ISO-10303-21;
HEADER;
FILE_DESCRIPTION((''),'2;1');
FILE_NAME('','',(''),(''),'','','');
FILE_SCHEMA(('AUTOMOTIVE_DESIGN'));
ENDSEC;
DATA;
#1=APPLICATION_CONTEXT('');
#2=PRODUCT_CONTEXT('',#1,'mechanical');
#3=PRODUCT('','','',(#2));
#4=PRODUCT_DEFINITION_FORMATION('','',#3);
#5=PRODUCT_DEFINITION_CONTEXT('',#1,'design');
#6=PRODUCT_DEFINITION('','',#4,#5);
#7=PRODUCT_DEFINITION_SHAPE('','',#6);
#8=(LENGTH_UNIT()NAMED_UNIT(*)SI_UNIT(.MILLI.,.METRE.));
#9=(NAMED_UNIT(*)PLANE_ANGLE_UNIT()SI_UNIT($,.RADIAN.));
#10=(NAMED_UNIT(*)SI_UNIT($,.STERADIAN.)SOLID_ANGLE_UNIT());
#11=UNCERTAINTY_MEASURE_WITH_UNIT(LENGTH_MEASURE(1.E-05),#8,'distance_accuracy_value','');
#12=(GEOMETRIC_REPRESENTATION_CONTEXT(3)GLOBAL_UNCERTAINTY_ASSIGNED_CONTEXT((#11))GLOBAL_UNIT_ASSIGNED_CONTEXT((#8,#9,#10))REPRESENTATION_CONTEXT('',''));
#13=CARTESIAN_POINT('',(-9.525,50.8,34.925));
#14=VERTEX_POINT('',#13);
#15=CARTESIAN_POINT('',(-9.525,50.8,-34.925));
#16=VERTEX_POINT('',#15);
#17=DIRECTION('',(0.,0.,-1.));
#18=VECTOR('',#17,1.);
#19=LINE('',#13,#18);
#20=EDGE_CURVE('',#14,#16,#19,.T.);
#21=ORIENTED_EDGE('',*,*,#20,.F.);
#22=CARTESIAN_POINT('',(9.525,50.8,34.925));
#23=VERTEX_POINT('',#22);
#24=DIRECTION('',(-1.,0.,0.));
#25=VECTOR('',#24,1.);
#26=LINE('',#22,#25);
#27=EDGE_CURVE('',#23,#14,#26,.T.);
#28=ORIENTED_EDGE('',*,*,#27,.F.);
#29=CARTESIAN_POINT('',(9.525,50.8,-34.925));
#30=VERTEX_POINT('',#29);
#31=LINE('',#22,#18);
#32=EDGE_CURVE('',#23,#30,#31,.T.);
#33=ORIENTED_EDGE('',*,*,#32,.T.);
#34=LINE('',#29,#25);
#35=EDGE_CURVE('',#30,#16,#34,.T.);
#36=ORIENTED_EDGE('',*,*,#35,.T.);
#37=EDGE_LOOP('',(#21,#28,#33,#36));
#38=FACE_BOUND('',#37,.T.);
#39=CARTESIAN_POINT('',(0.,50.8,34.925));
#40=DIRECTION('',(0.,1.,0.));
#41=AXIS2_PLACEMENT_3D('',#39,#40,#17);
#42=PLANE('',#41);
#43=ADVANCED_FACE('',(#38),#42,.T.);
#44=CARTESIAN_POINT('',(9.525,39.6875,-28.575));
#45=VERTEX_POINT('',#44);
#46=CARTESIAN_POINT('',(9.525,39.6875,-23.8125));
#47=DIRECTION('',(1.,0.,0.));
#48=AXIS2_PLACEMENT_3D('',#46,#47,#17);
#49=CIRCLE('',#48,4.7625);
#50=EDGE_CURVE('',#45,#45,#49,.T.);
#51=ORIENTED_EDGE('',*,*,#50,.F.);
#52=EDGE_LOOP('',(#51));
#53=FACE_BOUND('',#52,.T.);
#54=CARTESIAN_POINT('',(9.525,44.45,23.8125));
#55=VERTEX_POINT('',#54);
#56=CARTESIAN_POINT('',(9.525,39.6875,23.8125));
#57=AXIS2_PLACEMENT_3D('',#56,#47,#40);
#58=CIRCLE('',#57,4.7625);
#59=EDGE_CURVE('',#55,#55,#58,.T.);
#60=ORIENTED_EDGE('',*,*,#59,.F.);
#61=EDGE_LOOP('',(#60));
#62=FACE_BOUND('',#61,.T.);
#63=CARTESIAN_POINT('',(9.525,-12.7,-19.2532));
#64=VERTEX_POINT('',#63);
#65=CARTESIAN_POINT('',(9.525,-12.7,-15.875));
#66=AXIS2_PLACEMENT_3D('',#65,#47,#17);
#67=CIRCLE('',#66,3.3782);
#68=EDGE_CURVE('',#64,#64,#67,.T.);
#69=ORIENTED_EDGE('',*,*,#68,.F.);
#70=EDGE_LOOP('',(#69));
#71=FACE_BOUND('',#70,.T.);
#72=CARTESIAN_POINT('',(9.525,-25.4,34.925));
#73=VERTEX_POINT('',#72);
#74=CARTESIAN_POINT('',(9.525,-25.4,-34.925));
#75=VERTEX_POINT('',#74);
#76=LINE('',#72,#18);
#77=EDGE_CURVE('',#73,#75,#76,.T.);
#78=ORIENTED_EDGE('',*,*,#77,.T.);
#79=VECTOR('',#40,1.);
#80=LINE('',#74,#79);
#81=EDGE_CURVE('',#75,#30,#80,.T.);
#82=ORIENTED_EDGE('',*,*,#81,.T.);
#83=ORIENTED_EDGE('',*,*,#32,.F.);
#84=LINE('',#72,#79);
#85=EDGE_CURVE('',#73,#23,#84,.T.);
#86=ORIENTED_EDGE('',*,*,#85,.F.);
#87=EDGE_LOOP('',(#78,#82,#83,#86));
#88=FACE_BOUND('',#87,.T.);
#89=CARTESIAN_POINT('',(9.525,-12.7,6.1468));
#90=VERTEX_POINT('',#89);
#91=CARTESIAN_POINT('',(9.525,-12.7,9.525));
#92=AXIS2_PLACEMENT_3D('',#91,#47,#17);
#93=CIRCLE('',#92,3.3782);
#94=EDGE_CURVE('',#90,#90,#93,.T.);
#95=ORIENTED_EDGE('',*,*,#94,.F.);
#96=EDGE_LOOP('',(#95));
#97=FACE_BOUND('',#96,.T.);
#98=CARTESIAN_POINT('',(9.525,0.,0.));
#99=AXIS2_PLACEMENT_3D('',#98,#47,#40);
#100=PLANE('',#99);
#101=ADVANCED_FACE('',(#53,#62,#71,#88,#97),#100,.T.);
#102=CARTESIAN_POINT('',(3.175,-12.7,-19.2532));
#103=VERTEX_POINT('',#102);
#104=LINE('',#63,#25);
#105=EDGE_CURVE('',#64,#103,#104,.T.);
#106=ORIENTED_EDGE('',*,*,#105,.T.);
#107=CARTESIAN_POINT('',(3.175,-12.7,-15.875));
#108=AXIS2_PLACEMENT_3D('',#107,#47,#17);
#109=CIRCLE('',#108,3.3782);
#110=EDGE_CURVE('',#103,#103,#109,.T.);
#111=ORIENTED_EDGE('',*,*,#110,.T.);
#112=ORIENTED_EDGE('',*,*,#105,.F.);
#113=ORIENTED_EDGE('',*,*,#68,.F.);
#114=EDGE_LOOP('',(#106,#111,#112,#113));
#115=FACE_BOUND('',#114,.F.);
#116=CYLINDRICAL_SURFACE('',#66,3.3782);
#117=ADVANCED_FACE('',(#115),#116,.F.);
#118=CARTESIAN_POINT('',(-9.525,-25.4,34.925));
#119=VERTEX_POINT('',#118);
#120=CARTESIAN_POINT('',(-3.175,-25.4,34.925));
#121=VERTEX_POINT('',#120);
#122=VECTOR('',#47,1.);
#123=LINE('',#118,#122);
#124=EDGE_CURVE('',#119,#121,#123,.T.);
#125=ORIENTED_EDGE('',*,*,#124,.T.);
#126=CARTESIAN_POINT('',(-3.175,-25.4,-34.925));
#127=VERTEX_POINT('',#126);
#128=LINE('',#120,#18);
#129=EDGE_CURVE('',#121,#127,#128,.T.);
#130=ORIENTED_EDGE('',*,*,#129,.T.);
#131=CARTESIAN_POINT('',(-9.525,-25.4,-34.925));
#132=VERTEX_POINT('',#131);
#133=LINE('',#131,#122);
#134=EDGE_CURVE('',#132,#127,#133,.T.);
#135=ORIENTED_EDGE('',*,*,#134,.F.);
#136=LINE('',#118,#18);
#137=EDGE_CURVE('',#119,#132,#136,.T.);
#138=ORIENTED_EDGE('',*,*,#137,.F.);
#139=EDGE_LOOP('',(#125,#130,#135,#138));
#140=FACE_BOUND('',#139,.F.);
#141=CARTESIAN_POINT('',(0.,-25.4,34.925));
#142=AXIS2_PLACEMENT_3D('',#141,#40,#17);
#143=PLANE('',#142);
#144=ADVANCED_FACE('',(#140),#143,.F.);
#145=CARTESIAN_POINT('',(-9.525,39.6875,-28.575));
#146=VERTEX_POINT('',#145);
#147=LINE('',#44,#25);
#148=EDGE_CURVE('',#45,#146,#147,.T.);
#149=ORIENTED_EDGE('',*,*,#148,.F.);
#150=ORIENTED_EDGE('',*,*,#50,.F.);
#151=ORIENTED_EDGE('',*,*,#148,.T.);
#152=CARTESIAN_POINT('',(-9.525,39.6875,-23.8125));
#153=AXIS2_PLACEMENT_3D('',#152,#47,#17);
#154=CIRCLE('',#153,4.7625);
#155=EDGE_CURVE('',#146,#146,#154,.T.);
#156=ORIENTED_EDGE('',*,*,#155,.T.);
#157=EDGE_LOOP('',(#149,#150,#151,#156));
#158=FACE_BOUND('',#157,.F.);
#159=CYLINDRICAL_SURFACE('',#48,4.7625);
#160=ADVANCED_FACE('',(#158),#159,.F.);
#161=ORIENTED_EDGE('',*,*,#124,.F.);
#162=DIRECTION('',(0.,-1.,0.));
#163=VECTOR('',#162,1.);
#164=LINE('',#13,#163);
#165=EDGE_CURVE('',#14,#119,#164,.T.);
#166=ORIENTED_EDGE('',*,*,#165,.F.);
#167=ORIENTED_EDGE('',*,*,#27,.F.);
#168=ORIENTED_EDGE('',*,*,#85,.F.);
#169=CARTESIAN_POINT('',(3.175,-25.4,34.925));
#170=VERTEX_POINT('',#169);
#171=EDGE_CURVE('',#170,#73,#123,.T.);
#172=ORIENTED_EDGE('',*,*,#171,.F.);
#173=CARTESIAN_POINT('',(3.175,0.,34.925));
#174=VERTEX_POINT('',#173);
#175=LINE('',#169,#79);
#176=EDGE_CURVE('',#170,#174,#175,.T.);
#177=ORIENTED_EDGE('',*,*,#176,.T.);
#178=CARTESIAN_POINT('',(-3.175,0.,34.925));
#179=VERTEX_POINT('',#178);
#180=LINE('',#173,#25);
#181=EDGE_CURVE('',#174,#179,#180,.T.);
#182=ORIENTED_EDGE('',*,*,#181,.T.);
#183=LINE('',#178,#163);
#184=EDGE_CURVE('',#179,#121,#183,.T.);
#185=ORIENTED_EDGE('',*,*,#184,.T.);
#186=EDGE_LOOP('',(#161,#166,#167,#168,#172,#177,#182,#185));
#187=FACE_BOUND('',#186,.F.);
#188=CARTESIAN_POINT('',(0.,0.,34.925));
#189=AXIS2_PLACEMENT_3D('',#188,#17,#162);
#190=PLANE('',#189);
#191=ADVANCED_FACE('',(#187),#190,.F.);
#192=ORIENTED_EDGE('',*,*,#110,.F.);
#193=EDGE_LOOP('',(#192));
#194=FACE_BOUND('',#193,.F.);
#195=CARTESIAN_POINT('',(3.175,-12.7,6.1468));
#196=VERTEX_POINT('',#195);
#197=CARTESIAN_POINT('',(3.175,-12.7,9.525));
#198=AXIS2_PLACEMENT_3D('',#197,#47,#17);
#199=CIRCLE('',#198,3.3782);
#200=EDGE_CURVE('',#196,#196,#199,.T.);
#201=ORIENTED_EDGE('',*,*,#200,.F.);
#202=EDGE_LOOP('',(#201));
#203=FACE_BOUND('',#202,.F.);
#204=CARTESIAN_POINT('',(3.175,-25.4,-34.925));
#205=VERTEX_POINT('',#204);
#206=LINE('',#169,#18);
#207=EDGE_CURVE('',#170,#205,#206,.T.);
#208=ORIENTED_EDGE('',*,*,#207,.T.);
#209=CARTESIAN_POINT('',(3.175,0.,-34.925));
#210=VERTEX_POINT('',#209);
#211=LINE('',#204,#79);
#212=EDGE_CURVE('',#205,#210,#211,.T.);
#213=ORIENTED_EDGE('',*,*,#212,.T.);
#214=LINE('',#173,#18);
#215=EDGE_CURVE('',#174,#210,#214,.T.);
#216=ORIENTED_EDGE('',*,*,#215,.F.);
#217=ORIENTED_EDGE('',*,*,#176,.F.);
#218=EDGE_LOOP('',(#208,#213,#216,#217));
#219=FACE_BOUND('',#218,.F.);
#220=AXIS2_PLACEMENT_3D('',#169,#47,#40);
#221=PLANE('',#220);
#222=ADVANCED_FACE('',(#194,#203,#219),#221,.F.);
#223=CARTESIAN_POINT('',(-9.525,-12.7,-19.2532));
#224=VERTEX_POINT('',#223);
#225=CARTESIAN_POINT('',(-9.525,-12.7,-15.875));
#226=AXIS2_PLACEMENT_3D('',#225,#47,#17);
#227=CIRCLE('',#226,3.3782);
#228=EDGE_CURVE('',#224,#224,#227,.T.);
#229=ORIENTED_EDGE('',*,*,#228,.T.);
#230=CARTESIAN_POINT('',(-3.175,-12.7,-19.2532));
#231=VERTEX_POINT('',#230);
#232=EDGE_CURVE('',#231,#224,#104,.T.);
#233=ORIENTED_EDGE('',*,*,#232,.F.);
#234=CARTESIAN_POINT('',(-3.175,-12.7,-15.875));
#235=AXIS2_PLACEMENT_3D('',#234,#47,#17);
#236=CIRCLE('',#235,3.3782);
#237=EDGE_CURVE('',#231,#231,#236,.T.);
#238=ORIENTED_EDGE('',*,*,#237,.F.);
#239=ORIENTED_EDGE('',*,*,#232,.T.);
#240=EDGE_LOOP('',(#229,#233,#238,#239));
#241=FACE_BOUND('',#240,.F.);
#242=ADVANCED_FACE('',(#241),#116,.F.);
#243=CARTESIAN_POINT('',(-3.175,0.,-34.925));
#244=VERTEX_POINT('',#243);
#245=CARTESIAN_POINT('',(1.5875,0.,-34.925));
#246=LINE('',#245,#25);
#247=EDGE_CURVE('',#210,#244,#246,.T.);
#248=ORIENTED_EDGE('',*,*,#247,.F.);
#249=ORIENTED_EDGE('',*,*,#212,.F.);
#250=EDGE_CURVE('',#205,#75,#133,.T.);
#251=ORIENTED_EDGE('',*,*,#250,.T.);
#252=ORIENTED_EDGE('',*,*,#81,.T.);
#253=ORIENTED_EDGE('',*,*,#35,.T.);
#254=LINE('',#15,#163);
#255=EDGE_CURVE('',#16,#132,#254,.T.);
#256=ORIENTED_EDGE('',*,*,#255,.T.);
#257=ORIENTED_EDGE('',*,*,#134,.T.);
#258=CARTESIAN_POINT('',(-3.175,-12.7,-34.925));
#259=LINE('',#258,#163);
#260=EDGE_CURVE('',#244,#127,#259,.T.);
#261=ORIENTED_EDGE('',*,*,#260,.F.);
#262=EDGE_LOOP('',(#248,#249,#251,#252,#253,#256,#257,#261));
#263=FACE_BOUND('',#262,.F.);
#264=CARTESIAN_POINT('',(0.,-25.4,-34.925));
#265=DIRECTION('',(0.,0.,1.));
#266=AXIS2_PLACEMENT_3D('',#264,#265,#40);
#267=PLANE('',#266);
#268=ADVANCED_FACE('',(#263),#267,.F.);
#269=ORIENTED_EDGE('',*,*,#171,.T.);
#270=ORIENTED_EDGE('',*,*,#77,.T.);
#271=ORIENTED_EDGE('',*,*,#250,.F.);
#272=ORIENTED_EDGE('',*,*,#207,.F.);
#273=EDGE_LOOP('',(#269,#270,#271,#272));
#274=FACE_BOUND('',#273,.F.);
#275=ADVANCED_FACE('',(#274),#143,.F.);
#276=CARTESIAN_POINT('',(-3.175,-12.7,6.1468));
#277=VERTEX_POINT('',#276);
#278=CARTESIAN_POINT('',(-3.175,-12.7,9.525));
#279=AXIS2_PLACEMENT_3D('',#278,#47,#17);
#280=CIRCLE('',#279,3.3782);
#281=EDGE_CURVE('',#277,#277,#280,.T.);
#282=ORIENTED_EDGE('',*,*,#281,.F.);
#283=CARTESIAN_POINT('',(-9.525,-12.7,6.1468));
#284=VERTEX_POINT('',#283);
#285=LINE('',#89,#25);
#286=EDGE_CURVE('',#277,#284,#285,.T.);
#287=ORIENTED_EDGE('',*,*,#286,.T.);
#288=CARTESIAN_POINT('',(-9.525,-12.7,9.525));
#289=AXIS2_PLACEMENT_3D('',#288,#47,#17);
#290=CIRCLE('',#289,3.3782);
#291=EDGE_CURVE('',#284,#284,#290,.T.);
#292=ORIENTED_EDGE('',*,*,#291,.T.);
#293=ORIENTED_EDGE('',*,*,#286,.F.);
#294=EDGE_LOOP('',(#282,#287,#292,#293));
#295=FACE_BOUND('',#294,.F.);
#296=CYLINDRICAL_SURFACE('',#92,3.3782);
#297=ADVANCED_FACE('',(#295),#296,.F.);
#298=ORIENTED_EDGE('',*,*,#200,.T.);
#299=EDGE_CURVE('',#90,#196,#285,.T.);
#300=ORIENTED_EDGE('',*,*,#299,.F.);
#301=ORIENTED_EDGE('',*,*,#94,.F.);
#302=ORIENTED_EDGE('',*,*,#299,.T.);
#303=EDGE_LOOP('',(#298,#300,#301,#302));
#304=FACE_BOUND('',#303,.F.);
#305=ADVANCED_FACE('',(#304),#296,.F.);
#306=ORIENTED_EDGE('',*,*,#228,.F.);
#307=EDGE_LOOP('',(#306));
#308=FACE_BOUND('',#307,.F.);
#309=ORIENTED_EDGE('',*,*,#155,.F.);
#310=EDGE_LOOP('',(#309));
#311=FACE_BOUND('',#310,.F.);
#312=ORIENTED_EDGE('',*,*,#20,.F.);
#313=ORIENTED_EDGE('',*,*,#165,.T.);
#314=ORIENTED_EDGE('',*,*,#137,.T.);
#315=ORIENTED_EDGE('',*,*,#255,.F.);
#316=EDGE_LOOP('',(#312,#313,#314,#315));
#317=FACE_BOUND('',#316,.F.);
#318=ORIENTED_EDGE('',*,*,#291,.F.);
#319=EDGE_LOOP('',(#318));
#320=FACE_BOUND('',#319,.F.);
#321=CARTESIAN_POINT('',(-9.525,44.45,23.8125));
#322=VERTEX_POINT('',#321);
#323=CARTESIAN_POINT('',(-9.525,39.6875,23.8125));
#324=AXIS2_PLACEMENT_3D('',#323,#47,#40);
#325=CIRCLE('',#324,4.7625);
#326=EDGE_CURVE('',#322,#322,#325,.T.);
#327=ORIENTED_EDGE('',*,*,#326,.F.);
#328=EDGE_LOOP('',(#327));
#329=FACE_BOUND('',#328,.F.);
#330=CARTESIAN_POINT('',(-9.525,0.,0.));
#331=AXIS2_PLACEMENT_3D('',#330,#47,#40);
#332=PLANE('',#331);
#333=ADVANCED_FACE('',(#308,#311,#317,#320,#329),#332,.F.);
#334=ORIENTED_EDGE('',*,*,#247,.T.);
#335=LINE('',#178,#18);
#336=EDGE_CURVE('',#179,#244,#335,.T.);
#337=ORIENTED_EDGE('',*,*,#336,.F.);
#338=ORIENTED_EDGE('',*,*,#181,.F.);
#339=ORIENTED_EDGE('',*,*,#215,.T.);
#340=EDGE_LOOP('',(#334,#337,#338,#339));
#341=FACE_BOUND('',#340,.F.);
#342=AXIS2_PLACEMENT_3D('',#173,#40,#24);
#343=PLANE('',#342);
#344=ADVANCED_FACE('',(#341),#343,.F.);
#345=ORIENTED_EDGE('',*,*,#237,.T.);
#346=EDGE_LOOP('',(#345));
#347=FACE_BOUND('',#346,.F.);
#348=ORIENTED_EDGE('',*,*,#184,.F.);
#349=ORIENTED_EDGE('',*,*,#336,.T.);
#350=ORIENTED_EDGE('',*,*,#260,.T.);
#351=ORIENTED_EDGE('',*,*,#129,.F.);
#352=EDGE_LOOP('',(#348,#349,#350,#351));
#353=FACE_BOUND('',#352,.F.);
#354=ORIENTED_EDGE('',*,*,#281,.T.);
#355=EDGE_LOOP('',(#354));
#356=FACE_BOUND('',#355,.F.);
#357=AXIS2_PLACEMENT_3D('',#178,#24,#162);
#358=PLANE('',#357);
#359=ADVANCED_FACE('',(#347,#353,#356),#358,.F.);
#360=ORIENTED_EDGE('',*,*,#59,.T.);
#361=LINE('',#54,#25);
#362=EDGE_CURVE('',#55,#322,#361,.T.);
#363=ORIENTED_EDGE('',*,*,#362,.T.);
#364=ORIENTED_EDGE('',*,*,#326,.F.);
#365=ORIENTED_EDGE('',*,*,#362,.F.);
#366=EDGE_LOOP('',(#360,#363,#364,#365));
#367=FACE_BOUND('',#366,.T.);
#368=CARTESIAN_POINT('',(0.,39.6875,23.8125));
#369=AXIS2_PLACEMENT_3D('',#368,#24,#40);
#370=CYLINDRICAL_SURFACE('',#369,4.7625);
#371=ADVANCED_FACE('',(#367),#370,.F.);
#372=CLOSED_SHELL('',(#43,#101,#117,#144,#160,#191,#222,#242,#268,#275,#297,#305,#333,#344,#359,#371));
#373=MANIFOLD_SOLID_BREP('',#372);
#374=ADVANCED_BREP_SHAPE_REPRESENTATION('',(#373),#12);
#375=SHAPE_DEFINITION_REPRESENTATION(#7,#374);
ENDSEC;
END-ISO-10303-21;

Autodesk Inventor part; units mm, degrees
ref_plane "YZ Plane" through (0, 0, 0) normal (1, 0, 0) x (0, 1, 0)
ref_plane "XZ Plane" through (0, 0, 0) normal (0, 1, 0) x (-1, 0, 0)
ref_plane "XY Plane" through (0, 0, 0) normal (0, 0, 1) x (1, 0, 0)
sketch "Sketch4" plane through (0, 0, 0) normal (1, 0, 0) x (0, 1, 0)
  line L0 (-25.4, 34.925) -> (-25.4, -34.925)
  line L1 (-25.4, -34.925) -> (0, -34.925)
  line L2 (0, -34.925) -> (0, 34.925)
  line L3 (0, 34.925) -> (-25.4, 34.925)
  line L4 (-25.4, -34.925) -> (-12.7, 0) construction
  line L5 (0, 34.925) -> (50.8, 34.925)
  line L6 (50.8, 34.925) -> (50.8, -34.925)
  line L7 (50.8, -34.925) -> (0, -34.925)
  line L8 (0, -34.925) -> (0, 34.925)
  circle A0 centre (39.6875, 23.8125) radius 4.7625
  circle A1 centre (39.6875, -23.8125) radius 4.7625
  point P0 (0, 0)
  point P1 (-12.7, 0)
  dimension "d2" = 69.85
  dimension "d3" = 25.4
  dimension "d12" = 50.8
  dimension "d15" = 9.525
  dimension "d16" = 11.1125
  dimension "d23" = 11.1125
  dimension "d26" = 11.1125
extrude "Extrusion3" add sketch "Sketch4" along normal mid plane 19.05 contours L3 L2 L1 L0 | L5 L6 L7 L2 | A1
sketch "Sketch6" plane through (-9.525, -25.4, 34.925) normal (0, 0, 1) x (1, 0, 0)
  line L0 (9.525, 25.4) -> (9.525, 0) construction
  line L1 (0, 0) -> (19.05, 0) construction
  line L2 (6.35, 0) -> (12.7, 0)
  line L3 (12.7, 0) -> (12.7, 25.4)
  line L4 (12.7, 25.4) -> (6.35, 25.4)
  line L5 (6.35, 25.4) -> (6.35, 0)
  line L6 (6.35, 0) -> (12.7, 25.4) construction
  line L7 (12.7, 0) -> (6.35, 25.4) construction
  point P0 (9.525, 12.7)
  dimension "d20" = 6.35
extrude "Extrusion4" cut sketch "Sketch6" against normal through all
sketch "Sketch7" plane through (9.525, 0, 0) normal (1, 0, 0) x (0, 0, -1)
  line L0 (34.925, -25.4) -> (34.925, 0) projected
  line L1 (-34.925, -25.4) -> (34.925, -25.4) projected
  line L2 (-34.925, 0) -> (-34.925, -25.4) projected
  line L3 (-34.925, 0) -> (34.925, 0) projected
  line L4 (-34.925, -85.725) -> (-34.925, -12.7) projected
  arc A0 (-34.925, -85.725) -> (-22.225, -98.425) centre (-22.225, -85.725) ccw projected
  line L5 (479.425, -98.425) -> (-22.225, -98.425) projected
  arc A1 (479.425, -98.425) -> (492.125, -85.725) centre (479.425, -85.725) ccw projected
  line L6 (492.125, -81.1401) -> (492.125, -85.725) projected
  arc A2 (492.125, -81.1401) -> (488.7869, -72.5584) centre (479.425, -81.1401) ccw projected
  line L7 (488.7869, -72.5584) -> (426.0501, -4.1183) projected
  arc A3 (426.0501, -4.1183) -> (416.6882, 0) centre (416.6882, -12.7) ccw projected
  line L8 (416.6882, 0) -> (-22.225, 0) projected
  arc A4 (-22.225, 0) -> (-34.925, -12.7) centre (-22.225, -12.7) ccw projected
  circle A5 centre (473.075, -79.375) radius 4.826 projected
  circle A6 centre (15.875, -79.375) radius 4.826 projected
  circle A7 centre (457.2, -79.375) radius 4.826 projected
  circle A8 centre (440.1745, -40.6685) radius 3.3782 projected
  circle A9 centre (422.275, -85.725) radius 3.3782 projected
  line L9 (20.6375, -55.8157) -> (20.6375, -25.4) projected
  arc A10 (23.8125, -22.225) -> (20.6375, -25.4) centre (23.8125, -25.4) ccw projected
  line L10 (23.8125, -22.225) -> (46.9319, -22.225) projected
  arc A11 (49.4596, -27.3213) -> (46.9319, -22.225) centre (46.9319, -25.4) ccw projected
  line L11 (49.4596, -27.3213) -> (26.3402, -57.737) projected
  arc A12 (20.6375, -55.8157) -> (26.3402, -57.737) centre (23.8125, -55.8157) ccw projected
  line L12 (28.1443, -71.1037) -> (56.0904, -34.338) projected
  arc A13 (61.7931, -36.2593) -> (56.0904, -34.338) centre (58.6181, -36.2593) ccw projected
  line L13 (61.7931, -36.2593) -> (61.7931, -73.025) projected
  arc A14 (58.6181, -76.2) -> (61.7931, -73.025) centre (58.6181, -73.025) ccw projected
  line L14 (58.6181, -76.2) -> (30.672, -76.2) projected
  arc A15 (28.1443, -71.1037) -> (30.672, -76.2) centre (30.672, -73.025) ccw projected
  line L15 (184.056, -73.025) -> (184.056, -34.8804) projected
  arc A16 (189.5742, -32.738) -> (184.056, -34.8804) centre (187.231, -34.8804) ccw projected
  line L16 (189.5742, -32.738) -> (224.451, -70.8826) projected
  arc A17 (222.1078, -76.2) -> (224.451, -70.8826) centre (222.1078, -73.025) ccw projected
  line L17 (222.1078, -76.2) -> (187.231, -76.2) projected
  arc A18 (184.056, -73.025) -> (187.231, -76.2) centre (187.231, -73.025) ccw projected
  line L18 (291.2199, -27.5424) -> (254.7557, -67.4233) projected
  arc A19 (249.2375, -65.2808) -> (254.7557, -67.4233) centre (252.4125, -65.2808) ccw projected
  line L19 (249.2375, -65.2808) -> (249.2375, -25.4) projected
  arc A20 (252.4125, -22.225) -> (249.2375, -25.4) centre (252.4125, -25.4) ccw projected
  line L20 (252.4125, -22.225) -> (288.8767, -22.225) projected
  arc A21 (291.2199, -27.5424) -> (288.8767, -22.225) centre (288.8767, -25.4) ccw projected
  line L21 (234.1943, -67.4233) -> (197.7301, -27.5424) projected
  arc A22 (200.0733, -22.225) -> (197.7301, -27.5424) centre (200.0733, -25.4) ccw projected
  line L22 (200.0733, -22.225) -> (236.5375, -22.225) projected
  arc A23 (239.7125, -25.4) -> (236.5375, -22.225) centre (236.5375, -25.4) ccw projected
  line L23 (239.7125, -25.4) -> (239.7125, -65.2808) projected
  arc A24 (234.1943, -67.4233) -> (239.7125, -65.2808) centre (236.5375, -65.2808) ccw projected
  line L24 (304.894, -34.8804) -> (304.894, -73.025) projected
  arc A25 (301.719, -76.2) -> (304.894, -73.025) centre (301.719, -73.025) ccw projected
  line L25 (301.719, -76.2) -> (266.8422, -76.2) projected
  arc A26 (264.499, -70.8826) -> (266.8422, -76.2) centre (266.8422, -73.025) ccw projected
  line L26 (264.499, -70.8826) -> (299.3758, -32.738) projected
  arc A27 (304.894, -34.8804) -> (299.3758, -32.738) centre (301.719, -34.8804) ccw projected
  line L27 (341.3125, -25.4) -> (341.3125, -73.025) projected
  arc A28 (338.1375, -76.2) -> (341.3125, -73.025) centre (338.1375, -73.025) ccw projected
  line L28 (338.1375, -76.2) -> (317.594, -76.2) projected
  arc A29 (314.419, -73.025) -> (317.594, -76.2) centre (317.594, -73.025) ccw projected
  line L29 (314.419, -73.025) -> (314.419, -25.4) projected
  arc A30 (317.594, -22.225) -> (314.419, -25.4) centre (317.594, -25.4) ccw projected
  line L30 (317.594, -22.225) -> (338.1375, -22.225) projected
  arc A31 (341.3125, -25.4) -> (338.1375, -22.225) centre (338.1375, -25.4) ccw projected
  line L31 (400.05, -69.85) -> (400.05, -29.1831) projected
  arc A32 (405.5794, -27.053) -> (400.05, -29.1831) centre (403.225, -29.1831) ccw projected
  line L32 (405.5794, -27.053) -> (445.2458, -70.8949) projected
  arc A33 (442.8915, -76.2) -> (445.2458, -70.8949) centre (442.8915, -73.025) ccw projected
  line L33 (442.8915, -76.2) -> (406.4, -76.2) projected
  arc A34 (400.05, -69.85) -> (406.4, -76.2) centre (406.4, -69.85) ccw projected
  circle A35 centre (83.3958, -57.6072) radius 5.5626 projected
  circle A36 centre (160.8658, -32.2072) radius 5.5626 projected
  circle A37 centre (83.3958, -32.2072) radius 5.5626 projected
  circle A38 centre (160.8658, -57.6072) radius 5.5626 projected
  circle A39 centre (358.775, -28.575) radius 2.5527 projected
  circle A40 centre (368.3, -19.05) radius 2.5527 projected
  circle A41 centre (377.825, -9.525) radius 2.5527 projected
  circle A42 centre (358.775, -88.9) radius 2.5527 projected
  circle A43 centre (377.825, -69.85) radius 2.5527 projected
  circle A44 centre (368.3, -79.375) radius 2.5527 projected
  circle A45 centre (-9.525, -12.7) radius 3.3782 projected
  circle A46 centre (-9.525, -85.725) radius 3.3782 projected
  circle A47 centre (15.875, -12.7) radius 3.3782 projected
  circle A48 centre (41.275, -12.7) radius 3.3782 projected
  circle A49 centre (41.275, -85.725) radius 3.3782 projected
  circle A50 centre (66.675, -12.7) radius 3.3782 projected
  circle A51 centre (92.075, -12.7) radius 3.3782 projected
  circle A52 centre (92.075, -85.725) radius 3.3782 projected
  circle A53 centre (117.475, -12.7) radius 3.3782 projected
  circle A54 centre (117.475, -85.725) radius 3.3782 projected
  circle A55 centre (142.875, -12.7) radius 3.3782 projected
  circle A56 centre (142.875, -85.725) radius 3.3782 projected
  circle A57 centre (168.275, -12.7) radius 3.3782 projected
  circle A58 centre (193.675, -12.7) radius 3.3782 projected
  circle A59 centre (193.675, -85.725) radius 3.3782 projected
  circle A60 centre (219.075, -12.7) radius 3.3782 projected
  circle A61 centre (219.075, -85.725) radius 3.3782 projected
  circle A62 centre (244.475, -12.7) radius 3.3782 projected
  circle A63 centre (269.875, -12.7) radius 3.3782 projected
  circle A64 centre (269.875, -85.725) radius 3.3782 projected
  circle A65 centre (295.275, -12.7) radius 3.3782 projected
  circle A66 centre (295.275, -85.725) radius 3.3782 projected
  circle A67 centre (320.675, -12.7) radius 3.3782 projected
  circle A68 centre (320.675, -85.725) radius 3.3782 projected
  circle A69 centre (346.075, -12.7) radius 3.3782 projected
  circle A70 centre (346.075, -85.725) radius 3.3782 projected
  circle A71 centre (396.875, -12.7) radius 3.3782 projected
  circle A72 centre (396.875, -85.725) radius 3.3782 projected
  circle A73 centre (419.1, -15.875) radius 4.953 projected
  circle A74 centre (66.5556, -90.5002) radius 3.3528 projected
  circle A75 centre (177.706, -90.5002) radius 3.3528 projected
  circle A76 centre (122.1308, -60.325) radius 14.2812 projected
  circle A77 centre (244.475, -83.185) radius 4.826 projected
  circle A78 centre (-9.525, -12.7) radius 3.3782
  circle A79 centre (15.875, -12.7) radius 3.3782
  point P0 (0, 0)
extrude "Extrusion5" cut sketch "Sketch7" against normal through all contours A45 | A47
sketch "Sketch8" plane through (9.525, 0, 0) normal (1, 0, 0) x (0, 0, -1)
  circle A0 centre (-23.8125, 39.6875) radius 4.7625 projected
  circle A1 centre (23.8125, 39.6875) radius 4.7625
  line L0 (34.925, -25.4) -> (34.925, 50.8) projected
  point P0 (0, 0)
  dimension "d27" = 11.1125
extrude "Extrusion6" cut sketch "Sketch8" against normal through all contours A1
properties part number "NarrowSupportForLift" material "Aluminum 6061"
